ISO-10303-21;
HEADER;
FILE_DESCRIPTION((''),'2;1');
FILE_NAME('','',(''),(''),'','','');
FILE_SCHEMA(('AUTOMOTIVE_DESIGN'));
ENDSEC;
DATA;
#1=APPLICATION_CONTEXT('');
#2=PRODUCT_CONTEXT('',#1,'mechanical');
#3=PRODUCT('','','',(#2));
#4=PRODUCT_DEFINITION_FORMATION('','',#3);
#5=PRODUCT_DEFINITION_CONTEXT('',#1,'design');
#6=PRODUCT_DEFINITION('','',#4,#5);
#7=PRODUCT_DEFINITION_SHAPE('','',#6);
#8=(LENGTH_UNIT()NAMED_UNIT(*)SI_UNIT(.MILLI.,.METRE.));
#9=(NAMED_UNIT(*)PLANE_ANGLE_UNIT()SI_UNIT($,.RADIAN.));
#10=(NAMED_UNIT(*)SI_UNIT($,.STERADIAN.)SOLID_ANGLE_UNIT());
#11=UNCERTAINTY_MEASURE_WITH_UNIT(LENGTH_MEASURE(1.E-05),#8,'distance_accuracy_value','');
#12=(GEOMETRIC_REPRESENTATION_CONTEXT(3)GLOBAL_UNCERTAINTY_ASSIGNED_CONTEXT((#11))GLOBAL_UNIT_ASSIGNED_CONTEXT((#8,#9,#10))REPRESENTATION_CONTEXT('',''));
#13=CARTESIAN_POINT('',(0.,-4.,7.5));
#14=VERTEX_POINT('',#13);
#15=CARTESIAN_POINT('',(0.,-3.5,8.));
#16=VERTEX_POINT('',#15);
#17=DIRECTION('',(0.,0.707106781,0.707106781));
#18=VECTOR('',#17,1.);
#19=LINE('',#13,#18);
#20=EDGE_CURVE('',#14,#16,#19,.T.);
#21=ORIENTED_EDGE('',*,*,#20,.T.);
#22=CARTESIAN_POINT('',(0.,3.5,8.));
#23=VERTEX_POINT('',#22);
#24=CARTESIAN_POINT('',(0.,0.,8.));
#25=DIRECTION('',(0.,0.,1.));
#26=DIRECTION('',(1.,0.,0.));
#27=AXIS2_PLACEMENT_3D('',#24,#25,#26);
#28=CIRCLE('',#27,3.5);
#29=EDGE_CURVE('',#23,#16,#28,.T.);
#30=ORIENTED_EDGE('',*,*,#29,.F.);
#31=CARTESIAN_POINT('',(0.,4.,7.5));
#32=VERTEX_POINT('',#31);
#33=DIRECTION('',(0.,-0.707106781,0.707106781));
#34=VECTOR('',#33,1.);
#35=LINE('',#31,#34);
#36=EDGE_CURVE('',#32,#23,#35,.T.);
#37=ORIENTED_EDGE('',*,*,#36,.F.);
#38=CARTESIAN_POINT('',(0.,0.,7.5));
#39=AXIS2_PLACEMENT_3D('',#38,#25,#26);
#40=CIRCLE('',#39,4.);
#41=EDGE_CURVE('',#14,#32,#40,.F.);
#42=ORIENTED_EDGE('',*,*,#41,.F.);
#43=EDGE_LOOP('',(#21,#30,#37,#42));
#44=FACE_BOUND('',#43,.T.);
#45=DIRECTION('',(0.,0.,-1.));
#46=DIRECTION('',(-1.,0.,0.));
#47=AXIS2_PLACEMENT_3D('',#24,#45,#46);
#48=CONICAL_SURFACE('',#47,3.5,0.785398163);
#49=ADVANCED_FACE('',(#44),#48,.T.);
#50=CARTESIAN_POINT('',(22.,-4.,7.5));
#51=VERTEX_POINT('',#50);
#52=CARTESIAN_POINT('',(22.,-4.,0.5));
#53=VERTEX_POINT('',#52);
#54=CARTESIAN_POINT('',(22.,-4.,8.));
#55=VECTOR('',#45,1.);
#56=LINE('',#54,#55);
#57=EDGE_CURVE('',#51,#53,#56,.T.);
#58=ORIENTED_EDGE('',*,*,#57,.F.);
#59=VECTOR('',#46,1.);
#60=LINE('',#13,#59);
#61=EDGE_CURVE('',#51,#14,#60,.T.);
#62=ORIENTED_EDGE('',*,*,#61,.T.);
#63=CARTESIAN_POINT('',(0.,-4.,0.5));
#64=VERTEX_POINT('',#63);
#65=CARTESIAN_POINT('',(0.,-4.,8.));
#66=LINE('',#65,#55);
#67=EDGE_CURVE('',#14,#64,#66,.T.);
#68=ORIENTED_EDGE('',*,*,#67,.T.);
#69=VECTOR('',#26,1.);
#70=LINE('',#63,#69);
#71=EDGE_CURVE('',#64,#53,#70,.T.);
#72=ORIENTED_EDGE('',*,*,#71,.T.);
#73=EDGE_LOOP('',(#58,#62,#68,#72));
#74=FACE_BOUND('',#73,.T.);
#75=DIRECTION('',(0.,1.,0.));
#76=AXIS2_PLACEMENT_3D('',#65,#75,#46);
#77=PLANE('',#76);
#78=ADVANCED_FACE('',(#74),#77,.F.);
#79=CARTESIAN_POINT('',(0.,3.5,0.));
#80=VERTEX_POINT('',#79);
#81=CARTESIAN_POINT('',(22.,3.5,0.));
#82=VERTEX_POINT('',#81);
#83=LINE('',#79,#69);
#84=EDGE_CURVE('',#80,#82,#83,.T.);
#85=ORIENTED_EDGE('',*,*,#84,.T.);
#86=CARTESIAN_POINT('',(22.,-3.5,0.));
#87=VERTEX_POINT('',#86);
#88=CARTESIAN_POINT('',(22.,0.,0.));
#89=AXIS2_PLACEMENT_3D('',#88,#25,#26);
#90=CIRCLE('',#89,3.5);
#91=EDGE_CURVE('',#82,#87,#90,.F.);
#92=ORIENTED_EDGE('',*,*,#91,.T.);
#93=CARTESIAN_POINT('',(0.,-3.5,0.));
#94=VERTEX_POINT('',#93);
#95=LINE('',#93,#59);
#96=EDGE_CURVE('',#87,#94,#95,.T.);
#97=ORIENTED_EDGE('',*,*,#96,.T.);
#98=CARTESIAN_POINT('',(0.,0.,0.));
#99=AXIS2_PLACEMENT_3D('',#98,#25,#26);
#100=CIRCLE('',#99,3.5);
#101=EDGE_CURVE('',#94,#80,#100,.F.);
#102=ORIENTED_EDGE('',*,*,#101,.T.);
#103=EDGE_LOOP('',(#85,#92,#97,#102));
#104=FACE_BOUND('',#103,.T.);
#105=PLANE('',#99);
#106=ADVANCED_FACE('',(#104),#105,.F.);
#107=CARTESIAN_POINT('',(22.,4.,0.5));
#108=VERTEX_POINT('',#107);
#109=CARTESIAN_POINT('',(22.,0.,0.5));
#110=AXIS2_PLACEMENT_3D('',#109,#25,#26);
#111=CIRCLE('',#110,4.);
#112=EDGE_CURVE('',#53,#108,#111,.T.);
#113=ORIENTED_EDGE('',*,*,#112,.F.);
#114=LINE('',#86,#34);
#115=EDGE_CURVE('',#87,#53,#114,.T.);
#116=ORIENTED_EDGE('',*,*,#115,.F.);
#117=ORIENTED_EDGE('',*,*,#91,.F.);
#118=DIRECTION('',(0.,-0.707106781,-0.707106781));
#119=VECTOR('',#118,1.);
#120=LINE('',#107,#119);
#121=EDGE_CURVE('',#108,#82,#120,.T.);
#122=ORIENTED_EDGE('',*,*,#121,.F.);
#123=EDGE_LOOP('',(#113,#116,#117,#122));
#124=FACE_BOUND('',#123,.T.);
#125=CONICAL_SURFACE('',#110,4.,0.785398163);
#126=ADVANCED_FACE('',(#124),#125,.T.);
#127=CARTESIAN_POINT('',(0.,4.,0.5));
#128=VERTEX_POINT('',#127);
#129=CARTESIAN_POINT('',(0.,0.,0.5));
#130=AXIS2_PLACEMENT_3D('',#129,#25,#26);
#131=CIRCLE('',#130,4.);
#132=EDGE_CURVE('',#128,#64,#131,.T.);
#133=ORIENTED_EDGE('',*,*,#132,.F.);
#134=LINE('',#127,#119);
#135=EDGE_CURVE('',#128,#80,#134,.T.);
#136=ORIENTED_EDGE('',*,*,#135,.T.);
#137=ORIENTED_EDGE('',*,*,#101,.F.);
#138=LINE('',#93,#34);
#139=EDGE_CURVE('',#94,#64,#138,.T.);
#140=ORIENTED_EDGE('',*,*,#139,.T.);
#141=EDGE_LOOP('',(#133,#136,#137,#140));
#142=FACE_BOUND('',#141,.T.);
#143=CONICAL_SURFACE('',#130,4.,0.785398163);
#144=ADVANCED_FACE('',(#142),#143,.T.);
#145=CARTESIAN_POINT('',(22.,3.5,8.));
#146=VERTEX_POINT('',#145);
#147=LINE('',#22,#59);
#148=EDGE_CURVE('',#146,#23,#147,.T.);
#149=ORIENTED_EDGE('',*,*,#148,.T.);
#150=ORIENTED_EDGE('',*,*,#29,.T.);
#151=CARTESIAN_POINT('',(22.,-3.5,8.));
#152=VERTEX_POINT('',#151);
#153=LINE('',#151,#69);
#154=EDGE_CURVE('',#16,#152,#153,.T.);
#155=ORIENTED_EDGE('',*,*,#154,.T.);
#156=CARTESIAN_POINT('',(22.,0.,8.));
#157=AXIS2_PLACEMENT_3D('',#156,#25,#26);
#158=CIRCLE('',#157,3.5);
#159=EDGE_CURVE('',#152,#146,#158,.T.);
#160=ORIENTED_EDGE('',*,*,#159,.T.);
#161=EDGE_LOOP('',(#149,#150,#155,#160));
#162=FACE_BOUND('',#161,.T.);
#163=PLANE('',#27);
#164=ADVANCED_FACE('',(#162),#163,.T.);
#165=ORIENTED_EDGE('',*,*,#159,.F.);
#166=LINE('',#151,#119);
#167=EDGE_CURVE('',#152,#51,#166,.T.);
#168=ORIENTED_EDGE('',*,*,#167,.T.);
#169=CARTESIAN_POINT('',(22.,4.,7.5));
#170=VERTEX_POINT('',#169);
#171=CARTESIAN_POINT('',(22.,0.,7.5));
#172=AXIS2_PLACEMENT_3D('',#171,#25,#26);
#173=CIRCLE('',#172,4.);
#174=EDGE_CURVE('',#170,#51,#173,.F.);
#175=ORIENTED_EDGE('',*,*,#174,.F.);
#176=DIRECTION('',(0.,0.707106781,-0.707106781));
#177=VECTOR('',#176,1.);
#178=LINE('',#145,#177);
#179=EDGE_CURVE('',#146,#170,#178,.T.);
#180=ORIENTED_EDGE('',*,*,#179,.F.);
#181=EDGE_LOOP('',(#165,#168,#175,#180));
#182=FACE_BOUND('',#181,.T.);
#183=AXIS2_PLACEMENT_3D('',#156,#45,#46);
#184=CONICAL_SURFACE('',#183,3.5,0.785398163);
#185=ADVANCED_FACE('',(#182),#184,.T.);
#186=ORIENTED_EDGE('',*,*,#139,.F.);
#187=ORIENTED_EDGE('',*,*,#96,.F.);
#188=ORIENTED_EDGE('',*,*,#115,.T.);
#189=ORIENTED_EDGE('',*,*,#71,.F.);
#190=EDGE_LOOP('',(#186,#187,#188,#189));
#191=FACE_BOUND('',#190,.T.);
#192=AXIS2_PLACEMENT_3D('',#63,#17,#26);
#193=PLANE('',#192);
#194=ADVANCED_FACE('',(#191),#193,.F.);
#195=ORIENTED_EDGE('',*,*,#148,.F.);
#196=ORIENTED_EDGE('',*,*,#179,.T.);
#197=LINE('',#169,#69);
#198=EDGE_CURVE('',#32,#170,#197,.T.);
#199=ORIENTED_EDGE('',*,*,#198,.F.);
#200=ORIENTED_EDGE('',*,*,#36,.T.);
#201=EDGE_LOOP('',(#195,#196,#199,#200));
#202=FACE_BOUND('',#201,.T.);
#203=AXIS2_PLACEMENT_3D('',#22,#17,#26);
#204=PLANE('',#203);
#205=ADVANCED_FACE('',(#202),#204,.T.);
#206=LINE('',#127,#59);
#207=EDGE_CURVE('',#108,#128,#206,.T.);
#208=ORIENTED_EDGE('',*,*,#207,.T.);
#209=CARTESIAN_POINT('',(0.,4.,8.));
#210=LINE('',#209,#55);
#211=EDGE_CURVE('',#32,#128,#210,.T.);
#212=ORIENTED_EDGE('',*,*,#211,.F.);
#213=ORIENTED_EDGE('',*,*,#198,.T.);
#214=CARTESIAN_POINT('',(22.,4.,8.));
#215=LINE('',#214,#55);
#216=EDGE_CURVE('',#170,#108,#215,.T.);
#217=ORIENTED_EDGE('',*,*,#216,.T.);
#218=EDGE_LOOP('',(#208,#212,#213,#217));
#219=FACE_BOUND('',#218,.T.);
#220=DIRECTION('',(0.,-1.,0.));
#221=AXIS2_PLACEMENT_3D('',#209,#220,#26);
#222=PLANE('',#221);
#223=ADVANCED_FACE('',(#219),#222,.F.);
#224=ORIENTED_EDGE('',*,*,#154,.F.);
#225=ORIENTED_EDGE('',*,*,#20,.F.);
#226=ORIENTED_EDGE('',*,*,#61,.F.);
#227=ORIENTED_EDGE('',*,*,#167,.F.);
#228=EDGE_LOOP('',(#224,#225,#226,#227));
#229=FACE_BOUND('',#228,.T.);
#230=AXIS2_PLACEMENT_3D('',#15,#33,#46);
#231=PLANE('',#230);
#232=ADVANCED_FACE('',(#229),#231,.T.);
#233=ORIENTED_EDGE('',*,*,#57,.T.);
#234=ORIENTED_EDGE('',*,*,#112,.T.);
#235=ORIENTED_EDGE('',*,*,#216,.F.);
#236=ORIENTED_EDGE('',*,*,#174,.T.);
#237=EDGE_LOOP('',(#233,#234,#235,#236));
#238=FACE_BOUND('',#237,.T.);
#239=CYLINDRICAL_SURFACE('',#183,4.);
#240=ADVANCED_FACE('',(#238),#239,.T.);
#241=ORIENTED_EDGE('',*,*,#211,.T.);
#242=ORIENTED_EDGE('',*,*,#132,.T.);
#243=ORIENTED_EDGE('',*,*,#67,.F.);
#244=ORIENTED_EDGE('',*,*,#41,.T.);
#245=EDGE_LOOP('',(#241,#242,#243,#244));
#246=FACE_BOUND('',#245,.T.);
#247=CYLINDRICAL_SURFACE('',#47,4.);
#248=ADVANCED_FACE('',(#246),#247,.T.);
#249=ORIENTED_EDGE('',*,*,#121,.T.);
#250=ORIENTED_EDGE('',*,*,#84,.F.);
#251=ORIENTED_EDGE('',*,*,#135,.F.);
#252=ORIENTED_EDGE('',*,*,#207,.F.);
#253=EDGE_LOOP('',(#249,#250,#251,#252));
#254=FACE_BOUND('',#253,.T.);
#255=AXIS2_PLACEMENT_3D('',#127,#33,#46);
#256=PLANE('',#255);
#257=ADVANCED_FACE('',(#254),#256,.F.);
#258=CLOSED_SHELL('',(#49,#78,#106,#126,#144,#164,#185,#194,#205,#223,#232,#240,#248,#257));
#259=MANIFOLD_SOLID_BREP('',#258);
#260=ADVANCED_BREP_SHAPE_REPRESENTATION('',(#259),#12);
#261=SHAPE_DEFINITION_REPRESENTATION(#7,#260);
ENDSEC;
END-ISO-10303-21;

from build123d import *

# Parameters (mm, degrees)
P_IDAT_VYSUNUT_M1_DEPTH = 8
ZKOSEN_1_SIZE           = 0.5


with BuildPart() as part:
    # Skica1 → Přidat vysunutím1 (new body)
    with BuildSketch(Plane.XY):
        with BuildLine():
            Line((0, 4), (22, 4))
            ThreePointArc((22, 4), (26, 0), (22, -4))
            Line((22, -4), (0, -4))
            ThreePointArc((0, -4), (-4, 0), (0, 4))
        make_face()
    extrude(amount=P_IDAT_VYSUNUT_M1_DEPTH)

    # Zkosení1
    zkosen_1_edges = [part.edges().sort_by_distance(p)[0] for p in [
        (26, 0, 8),
        (11, 4, 8),
        (-4, 0, 8),
        (11, 4, 0),
        (26, 0, 0),
        (11, -4, 0),
        (-4, 0, 0),
        (11, -4, 8),
    ]]
    chamfer(zkosen_1_edges, length=ZKOSEN_1_SIZE)


solid = part.part
